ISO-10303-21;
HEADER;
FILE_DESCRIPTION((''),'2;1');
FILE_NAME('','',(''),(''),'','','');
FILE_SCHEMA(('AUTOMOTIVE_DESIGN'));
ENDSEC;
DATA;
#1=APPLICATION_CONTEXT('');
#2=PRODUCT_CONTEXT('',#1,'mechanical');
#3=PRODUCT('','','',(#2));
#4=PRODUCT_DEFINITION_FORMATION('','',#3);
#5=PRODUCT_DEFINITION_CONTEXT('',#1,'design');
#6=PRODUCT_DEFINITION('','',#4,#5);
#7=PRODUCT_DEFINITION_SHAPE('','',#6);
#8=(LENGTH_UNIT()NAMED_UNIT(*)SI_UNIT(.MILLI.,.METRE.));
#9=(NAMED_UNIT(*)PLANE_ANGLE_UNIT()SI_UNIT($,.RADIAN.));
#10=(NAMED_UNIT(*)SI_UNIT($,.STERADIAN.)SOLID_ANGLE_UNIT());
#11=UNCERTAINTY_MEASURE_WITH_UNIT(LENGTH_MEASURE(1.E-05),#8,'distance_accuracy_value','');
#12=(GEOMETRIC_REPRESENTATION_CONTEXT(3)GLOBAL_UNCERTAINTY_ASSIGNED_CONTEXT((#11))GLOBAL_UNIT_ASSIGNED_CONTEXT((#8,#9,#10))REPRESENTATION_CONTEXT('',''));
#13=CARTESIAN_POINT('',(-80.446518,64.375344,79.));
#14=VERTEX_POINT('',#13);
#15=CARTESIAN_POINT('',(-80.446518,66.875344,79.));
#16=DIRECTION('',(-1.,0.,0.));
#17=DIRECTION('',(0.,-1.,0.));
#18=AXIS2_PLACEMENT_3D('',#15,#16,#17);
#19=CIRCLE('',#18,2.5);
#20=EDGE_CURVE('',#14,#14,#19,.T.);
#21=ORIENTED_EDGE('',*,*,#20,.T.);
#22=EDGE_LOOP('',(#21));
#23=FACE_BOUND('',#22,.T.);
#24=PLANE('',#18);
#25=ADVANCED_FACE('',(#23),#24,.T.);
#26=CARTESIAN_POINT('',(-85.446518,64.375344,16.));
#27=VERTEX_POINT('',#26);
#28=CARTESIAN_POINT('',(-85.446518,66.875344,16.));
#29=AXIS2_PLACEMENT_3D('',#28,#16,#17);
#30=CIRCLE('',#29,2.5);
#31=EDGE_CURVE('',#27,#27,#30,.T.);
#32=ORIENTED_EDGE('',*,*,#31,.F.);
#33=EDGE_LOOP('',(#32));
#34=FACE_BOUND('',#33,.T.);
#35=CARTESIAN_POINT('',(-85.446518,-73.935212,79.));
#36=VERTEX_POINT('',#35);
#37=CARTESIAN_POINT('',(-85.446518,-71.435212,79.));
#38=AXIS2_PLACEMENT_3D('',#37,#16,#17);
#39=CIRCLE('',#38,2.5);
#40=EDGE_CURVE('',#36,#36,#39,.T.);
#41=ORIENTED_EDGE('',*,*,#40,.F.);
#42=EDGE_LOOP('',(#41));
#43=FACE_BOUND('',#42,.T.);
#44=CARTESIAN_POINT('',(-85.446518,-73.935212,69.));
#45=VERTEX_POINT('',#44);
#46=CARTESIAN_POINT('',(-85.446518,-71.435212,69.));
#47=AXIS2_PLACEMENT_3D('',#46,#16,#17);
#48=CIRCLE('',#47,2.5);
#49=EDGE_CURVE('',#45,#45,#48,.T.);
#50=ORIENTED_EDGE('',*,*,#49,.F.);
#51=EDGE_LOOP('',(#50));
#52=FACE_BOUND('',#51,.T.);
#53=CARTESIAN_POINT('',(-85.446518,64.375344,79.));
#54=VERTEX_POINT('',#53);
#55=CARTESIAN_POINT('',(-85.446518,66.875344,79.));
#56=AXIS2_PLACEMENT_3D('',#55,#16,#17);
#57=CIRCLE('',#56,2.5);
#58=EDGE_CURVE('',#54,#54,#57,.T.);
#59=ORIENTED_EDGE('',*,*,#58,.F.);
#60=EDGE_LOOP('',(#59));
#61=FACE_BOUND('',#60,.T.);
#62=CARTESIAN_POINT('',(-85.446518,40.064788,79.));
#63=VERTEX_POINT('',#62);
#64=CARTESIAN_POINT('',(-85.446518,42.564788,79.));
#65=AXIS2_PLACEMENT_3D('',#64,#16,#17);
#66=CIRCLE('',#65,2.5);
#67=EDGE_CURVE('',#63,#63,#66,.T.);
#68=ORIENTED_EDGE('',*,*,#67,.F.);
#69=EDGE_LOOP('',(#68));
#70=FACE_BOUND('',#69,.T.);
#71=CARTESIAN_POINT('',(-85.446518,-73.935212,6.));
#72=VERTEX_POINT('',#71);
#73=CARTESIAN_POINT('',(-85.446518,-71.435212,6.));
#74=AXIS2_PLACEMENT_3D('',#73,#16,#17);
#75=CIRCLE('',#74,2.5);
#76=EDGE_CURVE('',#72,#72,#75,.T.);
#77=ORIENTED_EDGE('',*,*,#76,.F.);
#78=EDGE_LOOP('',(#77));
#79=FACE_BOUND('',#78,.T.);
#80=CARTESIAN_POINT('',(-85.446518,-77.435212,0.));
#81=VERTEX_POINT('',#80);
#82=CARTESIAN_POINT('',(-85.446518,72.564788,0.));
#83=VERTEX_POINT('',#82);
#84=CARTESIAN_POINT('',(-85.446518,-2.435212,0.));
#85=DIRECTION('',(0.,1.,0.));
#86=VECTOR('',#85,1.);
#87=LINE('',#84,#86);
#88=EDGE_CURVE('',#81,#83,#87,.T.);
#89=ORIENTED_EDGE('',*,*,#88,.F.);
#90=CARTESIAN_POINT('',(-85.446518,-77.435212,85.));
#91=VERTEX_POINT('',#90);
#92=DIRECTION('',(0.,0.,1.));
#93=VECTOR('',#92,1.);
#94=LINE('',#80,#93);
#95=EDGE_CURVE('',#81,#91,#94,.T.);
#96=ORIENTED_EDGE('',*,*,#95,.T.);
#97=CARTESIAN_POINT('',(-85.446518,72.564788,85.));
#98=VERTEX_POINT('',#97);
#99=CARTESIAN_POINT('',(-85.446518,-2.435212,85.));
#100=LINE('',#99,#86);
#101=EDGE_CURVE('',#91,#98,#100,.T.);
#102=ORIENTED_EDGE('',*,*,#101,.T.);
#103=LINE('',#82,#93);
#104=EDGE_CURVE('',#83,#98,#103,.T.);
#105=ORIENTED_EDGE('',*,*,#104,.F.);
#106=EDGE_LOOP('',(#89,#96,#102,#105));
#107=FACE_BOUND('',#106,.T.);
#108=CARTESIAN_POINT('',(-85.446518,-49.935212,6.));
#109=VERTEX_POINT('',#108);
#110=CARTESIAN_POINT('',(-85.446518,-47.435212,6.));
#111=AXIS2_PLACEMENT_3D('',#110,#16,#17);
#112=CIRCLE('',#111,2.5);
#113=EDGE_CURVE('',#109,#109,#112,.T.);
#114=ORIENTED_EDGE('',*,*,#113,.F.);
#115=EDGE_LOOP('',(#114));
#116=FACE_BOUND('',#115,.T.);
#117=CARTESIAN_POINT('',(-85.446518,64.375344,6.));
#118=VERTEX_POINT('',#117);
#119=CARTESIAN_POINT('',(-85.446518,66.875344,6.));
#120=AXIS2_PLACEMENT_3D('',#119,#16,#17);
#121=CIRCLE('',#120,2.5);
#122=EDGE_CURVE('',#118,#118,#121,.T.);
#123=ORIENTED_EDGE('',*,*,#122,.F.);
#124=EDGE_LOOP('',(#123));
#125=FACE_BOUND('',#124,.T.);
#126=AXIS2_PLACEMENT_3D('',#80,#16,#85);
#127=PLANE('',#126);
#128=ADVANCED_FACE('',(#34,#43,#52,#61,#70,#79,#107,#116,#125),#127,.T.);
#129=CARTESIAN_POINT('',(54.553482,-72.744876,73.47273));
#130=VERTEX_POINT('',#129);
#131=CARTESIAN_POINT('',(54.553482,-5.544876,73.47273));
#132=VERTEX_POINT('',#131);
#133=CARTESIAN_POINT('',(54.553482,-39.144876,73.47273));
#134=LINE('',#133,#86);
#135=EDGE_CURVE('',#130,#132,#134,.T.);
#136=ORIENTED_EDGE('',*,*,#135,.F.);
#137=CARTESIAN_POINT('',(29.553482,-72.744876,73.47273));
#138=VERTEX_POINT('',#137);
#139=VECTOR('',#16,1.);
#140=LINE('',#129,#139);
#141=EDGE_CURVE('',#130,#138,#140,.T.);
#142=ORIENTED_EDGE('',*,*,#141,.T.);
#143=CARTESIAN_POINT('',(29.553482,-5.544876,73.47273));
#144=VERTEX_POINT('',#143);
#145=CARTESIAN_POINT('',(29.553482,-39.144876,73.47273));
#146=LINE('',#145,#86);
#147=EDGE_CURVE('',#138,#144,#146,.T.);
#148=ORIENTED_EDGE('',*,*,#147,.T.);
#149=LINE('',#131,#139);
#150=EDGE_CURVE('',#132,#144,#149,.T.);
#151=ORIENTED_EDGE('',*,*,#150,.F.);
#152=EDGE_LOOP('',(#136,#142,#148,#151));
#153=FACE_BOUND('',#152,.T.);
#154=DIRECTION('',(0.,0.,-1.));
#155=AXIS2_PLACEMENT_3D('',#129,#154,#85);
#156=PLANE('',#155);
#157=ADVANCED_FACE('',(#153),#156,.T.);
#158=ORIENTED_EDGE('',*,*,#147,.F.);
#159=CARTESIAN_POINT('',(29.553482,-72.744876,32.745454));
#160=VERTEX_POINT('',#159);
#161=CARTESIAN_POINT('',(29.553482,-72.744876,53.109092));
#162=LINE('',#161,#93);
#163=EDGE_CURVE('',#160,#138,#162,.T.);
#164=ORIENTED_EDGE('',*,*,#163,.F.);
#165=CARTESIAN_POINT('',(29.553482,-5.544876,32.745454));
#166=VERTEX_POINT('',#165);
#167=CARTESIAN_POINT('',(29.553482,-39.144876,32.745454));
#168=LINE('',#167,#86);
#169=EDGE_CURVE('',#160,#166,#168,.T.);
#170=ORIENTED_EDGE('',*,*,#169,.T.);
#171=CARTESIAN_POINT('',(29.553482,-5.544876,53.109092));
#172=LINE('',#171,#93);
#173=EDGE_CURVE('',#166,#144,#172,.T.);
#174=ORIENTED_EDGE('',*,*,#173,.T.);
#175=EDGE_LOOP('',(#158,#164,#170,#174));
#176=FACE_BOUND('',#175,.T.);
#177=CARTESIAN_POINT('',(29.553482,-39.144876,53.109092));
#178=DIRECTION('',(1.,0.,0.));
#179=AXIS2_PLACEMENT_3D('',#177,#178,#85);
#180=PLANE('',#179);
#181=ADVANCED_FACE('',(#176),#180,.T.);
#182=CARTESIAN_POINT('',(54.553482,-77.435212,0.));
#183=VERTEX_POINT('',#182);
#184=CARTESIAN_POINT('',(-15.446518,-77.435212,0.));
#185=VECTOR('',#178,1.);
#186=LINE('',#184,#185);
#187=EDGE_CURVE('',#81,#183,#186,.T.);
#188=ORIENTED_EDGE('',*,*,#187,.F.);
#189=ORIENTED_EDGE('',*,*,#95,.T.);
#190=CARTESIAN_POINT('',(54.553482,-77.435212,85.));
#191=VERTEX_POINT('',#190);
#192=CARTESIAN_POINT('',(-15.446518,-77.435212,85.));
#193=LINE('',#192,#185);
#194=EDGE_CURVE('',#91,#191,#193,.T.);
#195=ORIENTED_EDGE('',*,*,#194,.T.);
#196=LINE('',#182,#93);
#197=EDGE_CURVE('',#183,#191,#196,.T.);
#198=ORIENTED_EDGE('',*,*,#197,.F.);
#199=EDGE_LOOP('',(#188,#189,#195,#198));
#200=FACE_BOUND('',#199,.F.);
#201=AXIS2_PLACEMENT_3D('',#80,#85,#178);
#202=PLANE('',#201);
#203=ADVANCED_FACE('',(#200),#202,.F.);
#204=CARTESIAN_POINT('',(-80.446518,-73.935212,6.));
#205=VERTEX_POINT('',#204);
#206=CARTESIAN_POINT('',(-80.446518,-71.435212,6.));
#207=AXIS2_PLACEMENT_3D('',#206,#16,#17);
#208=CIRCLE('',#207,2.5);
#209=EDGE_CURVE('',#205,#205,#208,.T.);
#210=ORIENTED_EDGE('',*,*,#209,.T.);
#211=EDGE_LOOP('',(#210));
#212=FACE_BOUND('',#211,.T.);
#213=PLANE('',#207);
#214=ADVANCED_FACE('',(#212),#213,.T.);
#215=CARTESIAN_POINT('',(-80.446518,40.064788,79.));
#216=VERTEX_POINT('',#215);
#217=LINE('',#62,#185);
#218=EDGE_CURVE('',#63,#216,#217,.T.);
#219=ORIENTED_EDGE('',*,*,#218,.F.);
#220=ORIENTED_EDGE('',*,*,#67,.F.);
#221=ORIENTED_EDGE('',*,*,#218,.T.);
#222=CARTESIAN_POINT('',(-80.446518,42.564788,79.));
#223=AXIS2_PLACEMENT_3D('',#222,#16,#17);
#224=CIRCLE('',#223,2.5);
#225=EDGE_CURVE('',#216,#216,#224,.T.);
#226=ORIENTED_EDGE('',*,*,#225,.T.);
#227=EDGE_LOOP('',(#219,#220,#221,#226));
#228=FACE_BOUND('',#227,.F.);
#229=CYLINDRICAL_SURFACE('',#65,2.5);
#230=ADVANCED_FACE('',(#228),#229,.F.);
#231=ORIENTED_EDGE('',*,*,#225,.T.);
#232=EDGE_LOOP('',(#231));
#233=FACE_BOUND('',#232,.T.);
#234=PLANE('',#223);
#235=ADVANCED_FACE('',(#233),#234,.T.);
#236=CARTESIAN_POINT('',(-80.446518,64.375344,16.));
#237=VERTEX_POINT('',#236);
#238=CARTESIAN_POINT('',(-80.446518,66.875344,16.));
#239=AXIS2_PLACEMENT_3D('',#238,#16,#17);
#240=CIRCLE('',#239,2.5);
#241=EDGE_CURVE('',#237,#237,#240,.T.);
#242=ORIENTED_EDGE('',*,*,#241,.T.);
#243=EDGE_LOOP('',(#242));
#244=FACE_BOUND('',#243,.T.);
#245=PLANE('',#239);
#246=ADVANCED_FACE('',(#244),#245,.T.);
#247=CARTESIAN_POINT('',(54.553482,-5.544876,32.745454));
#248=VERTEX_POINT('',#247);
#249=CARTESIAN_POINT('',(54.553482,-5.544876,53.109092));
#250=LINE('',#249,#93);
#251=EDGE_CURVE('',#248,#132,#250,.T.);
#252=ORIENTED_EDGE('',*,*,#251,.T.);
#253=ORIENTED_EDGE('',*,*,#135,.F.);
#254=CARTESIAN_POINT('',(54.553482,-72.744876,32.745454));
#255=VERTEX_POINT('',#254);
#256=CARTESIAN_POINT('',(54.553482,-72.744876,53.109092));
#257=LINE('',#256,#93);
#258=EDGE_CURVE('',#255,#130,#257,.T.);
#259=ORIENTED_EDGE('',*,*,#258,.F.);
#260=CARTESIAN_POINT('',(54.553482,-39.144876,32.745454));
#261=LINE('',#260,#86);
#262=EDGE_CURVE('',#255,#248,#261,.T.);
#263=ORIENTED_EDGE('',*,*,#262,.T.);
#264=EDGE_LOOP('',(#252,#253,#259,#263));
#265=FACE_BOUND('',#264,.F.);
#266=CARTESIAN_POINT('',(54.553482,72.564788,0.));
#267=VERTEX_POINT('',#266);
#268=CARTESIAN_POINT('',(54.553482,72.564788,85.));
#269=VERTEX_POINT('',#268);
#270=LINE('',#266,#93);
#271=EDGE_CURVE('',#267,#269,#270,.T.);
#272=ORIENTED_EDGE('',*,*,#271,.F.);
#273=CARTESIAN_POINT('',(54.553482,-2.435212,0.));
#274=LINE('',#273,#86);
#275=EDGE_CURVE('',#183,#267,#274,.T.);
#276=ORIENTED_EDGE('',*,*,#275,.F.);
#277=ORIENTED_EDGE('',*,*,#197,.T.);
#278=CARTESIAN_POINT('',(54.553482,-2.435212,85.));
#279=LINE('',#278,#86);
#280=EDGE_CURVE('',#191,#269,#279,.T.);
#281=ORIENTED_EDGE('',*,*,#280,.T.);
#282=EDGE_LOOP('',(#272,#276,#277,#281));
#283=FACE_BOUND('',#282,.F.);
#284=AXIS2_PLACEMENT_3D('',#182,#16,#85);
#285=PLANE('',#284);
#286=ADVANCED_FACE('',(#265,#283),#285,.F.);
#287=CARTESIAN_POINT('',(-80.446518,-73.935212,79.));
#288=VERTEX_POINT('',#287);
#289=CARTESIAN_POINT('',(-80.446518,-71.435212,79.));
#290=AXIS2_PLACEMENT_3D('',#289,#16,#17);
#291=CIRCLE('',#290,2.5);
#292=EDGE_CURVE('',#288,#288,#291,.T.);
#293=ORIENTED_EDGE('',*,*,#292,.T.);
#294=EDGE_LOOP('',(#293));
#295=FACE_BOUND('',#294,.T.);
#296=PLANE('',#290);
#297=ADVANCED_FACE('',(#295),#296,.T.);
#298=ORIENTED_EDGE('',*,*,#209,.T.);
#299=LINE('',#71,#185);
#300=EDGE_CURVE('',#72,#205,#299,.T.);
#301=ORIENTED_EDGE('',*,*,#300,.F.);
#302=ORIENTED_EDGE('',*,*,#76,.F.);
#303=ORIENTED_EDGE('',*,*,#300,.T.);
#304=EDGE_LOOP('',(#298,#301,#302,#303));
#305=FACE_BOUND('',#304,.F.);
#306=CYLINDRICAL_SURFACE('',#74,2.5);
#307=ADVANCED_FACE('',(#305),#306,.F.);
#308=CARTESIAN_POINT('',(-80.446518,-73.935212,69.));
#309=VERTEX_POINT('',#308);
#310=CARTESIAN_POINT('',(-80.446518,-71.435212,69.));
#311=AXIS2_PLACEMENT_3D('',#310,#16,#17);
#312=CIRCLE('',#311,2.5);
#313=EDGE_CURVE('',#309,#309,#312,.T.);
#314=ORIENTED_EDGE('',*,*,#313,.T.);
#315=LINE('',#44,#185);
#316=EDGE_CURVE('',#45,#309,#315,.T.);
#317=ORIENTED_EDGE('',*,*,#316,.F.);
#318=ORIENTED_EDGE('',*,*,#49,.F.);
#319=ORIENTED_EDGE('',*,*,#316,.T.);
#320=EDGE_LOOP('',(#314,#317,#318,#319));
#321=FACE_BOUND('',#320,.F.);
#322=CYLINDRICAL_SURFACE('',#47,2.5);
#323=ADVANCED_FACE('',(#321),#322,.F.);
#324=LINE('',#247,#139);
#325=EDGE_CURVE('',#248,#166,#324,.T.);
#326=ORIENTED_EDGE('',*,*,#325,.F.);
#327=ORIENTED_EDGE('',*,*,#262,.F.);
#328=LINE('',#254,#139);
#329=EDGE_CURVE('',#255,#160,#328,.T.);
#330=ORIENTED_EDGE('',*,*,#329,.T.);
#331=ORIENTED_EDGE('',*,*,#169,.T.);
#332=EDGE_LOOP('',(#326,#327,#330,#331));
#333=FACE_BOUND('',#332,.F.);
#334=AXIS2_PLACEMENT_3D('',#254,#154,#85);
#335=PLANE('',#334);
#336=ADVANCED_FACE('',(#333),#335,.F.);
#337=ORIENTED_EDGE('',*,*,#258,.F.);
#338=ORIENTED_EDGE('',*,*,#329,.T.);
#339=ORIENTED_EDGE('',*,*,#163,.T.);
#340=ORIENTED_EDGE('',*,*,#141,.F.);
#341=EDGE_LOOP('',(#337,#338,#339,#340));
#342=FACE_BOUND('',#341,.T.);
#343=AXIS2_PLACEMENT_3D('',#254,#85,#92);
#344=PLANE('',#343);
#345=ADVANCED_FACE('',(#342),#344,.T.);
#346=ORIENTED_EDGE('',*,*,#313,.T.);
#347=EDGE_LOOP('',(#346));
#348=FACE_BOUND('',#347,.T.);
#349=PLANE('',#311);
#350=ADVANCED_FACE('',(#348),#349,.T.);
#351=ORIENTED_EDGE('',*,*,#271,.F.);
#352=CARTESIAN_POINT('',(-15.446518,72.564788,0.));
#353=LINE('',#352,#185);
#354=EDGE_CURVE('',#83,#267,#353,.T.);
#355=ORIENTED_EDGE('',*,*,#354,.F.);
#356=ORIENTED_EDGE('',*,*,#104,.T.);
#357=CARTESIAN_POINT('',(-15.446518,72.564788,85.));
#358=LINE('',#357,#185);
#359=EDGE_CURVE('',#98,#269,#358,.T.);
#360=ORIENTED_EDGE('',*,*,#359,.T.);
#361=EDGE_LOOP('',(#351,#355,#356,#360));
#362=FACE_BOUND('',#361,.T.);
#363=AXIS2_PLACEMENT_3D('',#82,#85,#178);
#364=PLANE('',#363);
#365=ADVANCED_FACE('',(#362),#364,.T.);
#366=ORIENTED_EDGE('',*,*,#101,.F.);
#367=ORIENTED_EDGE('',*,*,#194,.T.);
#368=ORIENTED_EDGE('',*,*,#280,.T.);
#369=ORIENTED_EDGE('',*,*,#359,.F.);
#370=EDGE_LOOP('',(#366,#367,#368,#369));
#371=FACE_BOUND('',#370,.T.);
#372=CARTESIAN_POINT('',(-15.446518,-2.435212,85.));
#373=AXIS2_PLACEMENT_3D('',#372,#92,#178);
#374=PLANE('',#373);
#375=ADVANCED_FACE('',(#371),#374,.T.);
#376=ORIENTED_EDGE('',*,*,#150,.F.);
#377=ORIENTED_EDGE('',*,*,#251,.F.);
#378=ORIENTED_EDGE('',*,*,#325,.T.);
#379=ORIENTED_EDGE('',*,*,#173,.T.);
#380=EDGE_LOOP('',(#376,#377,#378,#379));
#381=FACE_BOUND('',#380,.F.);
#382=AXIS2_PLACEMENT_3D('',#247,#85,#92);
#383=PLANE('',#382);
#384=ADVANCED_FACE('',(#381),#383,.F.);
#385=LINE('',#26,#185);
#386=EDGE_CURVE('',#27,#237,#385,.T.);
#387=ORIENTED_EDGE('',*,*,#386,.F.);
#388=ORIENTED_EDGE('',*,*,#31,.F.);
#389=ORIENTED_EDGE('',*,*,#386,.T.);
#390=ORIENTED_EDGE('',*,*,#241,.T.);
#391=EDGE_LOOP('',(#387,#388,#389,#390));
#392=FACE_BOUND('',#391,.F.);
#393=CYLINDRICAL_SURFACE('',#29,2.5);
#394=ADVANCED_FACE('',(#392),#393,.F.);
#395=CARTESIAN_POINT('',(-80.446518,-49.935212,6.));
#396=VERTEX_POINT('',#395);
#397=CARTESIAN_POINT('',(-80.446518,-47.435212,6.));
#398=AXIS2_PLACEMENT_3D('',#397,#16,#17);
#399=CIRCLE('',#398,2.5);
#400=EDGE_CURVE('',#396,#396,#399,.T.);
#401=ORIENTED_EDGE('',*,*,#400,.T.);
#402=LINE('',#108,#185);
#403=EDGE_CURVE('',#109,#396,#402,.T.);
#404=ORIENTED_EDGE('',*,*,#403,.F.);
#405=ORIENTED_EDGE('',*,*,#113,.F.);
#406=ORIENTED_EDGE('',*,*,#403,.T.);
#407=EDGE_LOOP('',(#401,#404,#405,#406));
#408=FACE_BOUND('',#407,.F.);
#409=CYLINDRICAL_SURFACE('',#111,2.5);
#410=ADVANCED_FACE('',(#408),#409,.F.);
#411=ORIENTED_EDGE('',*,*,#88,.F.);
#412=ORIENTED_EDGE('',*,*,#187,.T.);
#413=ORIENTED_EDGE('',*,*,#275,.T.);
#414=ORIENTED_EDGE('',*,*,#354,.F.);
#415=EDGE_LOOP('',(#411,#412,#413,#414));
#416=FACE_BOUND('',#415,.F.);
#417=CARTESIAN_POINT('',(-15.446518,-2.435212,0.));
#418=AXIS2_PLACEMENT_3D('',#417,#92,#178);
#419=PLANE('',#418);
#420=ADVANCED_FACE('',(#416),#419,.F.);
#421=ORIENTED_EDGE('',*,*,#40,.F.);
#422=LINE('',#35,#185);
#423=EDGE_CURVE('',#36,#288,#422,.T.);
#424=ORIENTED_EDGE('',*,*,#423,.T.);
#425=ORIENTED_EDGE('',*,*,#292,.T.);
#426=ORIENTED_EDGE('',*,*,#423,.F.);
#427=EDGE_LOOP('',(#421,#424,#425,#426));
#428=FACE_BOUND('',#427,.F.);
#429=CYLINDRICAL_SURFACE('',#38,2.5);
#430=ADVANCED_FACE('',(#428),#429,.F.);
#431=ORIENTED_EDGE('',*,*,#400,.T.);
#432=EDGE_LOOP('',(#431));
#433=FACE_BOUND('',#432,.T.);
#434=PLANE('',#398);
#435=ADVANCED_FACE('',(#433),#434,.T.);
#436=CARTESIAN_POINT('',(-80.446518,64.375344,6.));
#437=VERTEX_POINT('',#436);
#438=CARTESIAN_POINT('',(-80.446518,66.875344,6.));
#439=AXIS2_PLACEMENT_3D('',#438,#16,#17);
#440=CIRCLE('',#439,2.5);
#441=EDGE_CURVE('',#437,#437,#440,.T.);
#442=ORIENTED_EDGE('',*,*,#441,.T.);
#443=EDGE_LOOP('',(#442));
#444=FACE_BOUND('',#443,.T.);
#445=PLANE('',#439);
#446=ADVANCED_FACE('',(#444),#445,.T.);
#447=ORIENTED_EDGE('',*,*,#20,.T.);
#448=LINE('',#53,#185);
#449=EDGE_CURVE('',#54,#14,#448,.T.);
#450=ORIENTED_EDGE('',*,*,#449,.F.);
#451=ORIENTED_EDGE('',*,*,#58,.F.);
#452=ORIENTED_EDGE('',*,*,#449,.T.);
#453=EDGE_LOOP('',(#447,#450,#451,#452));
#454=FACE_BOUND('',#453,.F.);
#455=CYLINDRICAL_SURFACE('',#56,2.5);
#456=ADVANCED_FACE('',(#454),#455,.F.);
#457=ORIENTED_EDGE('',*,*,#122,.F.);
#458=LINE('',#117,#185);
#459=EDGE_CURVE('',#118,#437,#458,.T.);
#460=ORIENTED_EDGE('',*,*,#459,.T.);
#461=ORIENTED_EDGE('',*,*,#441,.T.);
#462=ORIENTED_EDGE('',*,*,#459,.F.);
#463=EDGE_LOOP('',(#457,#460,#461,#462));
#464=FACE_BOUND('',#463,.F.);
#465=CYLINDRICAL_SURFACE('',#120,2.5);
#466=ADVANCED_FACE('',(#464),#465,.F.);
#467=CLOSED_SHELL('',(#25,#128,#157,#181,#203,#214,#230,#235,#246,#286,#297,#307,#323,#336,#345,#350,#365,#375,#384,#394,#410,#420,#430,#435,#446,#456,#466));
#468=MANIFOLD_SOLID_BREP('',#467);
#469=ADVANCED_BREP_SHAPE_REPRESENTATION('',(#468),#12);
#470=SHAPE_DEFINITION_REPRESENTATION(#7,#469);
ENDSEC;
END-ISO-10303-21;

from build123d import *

# Parameters (mm, degrees)
F0_W     = 140
F0_H     = 150
F1_DEPTH = 85
F2_W     = 67.2
F2_H     = 40.727277
F3_DEPTH = 25
F4_R     = 2.5
F5_DEPTH = 5


with BuildPart() as f1:
    # F0 (on Top) → F1 (new body)
    with BuildSketch(Plane.XY):
        with Locations((-15.446518, -2.435212)):
            Rectangle(F0_W, F0_H)
    extrude(amount=F1_DEPTH)

    # F2 (on face) → F3 (cut)
    with BuildSketch(Plane.YZ.offset(54.553482)):
        with Locations((-39.144876, 53.109092)):
            Rectangle(F2_W, F2_H)
    extrude(amount=-F3_DEPTH, mode=Mode.SUBTRACT)

    # F4 (on face) → F5 (cut)
    with BuildSketch(Plane(origin=(-85.446518, 0, 0), x_dir=(0, -1, 0), z_dir=(-1, 0, 0))):
        with Locations((-66.875344, 79)):
            Circle(F4_R)
        with Locations((-42.564788, 79)):
            Circle(F4_R)
        with Locations((-66.875344, 16)):
            Circle(F4_R)
        with Locations((-66.875344, 6)):
            Circle(F4_R)
        with Locations((47.435212, 6)):
            Circle(F4_R)
        with Locations((71.435212, 6)):
            Circle(F4_R)
        with Locations((71.435212, 79)):
            Circle(F4_R)
        with Locations((71.435212, 69)):
            Circle(F4_R)
    extrude(amount=-F5_DEPTH, mode=Mode.SUBTRACT)


solid = f1.part
